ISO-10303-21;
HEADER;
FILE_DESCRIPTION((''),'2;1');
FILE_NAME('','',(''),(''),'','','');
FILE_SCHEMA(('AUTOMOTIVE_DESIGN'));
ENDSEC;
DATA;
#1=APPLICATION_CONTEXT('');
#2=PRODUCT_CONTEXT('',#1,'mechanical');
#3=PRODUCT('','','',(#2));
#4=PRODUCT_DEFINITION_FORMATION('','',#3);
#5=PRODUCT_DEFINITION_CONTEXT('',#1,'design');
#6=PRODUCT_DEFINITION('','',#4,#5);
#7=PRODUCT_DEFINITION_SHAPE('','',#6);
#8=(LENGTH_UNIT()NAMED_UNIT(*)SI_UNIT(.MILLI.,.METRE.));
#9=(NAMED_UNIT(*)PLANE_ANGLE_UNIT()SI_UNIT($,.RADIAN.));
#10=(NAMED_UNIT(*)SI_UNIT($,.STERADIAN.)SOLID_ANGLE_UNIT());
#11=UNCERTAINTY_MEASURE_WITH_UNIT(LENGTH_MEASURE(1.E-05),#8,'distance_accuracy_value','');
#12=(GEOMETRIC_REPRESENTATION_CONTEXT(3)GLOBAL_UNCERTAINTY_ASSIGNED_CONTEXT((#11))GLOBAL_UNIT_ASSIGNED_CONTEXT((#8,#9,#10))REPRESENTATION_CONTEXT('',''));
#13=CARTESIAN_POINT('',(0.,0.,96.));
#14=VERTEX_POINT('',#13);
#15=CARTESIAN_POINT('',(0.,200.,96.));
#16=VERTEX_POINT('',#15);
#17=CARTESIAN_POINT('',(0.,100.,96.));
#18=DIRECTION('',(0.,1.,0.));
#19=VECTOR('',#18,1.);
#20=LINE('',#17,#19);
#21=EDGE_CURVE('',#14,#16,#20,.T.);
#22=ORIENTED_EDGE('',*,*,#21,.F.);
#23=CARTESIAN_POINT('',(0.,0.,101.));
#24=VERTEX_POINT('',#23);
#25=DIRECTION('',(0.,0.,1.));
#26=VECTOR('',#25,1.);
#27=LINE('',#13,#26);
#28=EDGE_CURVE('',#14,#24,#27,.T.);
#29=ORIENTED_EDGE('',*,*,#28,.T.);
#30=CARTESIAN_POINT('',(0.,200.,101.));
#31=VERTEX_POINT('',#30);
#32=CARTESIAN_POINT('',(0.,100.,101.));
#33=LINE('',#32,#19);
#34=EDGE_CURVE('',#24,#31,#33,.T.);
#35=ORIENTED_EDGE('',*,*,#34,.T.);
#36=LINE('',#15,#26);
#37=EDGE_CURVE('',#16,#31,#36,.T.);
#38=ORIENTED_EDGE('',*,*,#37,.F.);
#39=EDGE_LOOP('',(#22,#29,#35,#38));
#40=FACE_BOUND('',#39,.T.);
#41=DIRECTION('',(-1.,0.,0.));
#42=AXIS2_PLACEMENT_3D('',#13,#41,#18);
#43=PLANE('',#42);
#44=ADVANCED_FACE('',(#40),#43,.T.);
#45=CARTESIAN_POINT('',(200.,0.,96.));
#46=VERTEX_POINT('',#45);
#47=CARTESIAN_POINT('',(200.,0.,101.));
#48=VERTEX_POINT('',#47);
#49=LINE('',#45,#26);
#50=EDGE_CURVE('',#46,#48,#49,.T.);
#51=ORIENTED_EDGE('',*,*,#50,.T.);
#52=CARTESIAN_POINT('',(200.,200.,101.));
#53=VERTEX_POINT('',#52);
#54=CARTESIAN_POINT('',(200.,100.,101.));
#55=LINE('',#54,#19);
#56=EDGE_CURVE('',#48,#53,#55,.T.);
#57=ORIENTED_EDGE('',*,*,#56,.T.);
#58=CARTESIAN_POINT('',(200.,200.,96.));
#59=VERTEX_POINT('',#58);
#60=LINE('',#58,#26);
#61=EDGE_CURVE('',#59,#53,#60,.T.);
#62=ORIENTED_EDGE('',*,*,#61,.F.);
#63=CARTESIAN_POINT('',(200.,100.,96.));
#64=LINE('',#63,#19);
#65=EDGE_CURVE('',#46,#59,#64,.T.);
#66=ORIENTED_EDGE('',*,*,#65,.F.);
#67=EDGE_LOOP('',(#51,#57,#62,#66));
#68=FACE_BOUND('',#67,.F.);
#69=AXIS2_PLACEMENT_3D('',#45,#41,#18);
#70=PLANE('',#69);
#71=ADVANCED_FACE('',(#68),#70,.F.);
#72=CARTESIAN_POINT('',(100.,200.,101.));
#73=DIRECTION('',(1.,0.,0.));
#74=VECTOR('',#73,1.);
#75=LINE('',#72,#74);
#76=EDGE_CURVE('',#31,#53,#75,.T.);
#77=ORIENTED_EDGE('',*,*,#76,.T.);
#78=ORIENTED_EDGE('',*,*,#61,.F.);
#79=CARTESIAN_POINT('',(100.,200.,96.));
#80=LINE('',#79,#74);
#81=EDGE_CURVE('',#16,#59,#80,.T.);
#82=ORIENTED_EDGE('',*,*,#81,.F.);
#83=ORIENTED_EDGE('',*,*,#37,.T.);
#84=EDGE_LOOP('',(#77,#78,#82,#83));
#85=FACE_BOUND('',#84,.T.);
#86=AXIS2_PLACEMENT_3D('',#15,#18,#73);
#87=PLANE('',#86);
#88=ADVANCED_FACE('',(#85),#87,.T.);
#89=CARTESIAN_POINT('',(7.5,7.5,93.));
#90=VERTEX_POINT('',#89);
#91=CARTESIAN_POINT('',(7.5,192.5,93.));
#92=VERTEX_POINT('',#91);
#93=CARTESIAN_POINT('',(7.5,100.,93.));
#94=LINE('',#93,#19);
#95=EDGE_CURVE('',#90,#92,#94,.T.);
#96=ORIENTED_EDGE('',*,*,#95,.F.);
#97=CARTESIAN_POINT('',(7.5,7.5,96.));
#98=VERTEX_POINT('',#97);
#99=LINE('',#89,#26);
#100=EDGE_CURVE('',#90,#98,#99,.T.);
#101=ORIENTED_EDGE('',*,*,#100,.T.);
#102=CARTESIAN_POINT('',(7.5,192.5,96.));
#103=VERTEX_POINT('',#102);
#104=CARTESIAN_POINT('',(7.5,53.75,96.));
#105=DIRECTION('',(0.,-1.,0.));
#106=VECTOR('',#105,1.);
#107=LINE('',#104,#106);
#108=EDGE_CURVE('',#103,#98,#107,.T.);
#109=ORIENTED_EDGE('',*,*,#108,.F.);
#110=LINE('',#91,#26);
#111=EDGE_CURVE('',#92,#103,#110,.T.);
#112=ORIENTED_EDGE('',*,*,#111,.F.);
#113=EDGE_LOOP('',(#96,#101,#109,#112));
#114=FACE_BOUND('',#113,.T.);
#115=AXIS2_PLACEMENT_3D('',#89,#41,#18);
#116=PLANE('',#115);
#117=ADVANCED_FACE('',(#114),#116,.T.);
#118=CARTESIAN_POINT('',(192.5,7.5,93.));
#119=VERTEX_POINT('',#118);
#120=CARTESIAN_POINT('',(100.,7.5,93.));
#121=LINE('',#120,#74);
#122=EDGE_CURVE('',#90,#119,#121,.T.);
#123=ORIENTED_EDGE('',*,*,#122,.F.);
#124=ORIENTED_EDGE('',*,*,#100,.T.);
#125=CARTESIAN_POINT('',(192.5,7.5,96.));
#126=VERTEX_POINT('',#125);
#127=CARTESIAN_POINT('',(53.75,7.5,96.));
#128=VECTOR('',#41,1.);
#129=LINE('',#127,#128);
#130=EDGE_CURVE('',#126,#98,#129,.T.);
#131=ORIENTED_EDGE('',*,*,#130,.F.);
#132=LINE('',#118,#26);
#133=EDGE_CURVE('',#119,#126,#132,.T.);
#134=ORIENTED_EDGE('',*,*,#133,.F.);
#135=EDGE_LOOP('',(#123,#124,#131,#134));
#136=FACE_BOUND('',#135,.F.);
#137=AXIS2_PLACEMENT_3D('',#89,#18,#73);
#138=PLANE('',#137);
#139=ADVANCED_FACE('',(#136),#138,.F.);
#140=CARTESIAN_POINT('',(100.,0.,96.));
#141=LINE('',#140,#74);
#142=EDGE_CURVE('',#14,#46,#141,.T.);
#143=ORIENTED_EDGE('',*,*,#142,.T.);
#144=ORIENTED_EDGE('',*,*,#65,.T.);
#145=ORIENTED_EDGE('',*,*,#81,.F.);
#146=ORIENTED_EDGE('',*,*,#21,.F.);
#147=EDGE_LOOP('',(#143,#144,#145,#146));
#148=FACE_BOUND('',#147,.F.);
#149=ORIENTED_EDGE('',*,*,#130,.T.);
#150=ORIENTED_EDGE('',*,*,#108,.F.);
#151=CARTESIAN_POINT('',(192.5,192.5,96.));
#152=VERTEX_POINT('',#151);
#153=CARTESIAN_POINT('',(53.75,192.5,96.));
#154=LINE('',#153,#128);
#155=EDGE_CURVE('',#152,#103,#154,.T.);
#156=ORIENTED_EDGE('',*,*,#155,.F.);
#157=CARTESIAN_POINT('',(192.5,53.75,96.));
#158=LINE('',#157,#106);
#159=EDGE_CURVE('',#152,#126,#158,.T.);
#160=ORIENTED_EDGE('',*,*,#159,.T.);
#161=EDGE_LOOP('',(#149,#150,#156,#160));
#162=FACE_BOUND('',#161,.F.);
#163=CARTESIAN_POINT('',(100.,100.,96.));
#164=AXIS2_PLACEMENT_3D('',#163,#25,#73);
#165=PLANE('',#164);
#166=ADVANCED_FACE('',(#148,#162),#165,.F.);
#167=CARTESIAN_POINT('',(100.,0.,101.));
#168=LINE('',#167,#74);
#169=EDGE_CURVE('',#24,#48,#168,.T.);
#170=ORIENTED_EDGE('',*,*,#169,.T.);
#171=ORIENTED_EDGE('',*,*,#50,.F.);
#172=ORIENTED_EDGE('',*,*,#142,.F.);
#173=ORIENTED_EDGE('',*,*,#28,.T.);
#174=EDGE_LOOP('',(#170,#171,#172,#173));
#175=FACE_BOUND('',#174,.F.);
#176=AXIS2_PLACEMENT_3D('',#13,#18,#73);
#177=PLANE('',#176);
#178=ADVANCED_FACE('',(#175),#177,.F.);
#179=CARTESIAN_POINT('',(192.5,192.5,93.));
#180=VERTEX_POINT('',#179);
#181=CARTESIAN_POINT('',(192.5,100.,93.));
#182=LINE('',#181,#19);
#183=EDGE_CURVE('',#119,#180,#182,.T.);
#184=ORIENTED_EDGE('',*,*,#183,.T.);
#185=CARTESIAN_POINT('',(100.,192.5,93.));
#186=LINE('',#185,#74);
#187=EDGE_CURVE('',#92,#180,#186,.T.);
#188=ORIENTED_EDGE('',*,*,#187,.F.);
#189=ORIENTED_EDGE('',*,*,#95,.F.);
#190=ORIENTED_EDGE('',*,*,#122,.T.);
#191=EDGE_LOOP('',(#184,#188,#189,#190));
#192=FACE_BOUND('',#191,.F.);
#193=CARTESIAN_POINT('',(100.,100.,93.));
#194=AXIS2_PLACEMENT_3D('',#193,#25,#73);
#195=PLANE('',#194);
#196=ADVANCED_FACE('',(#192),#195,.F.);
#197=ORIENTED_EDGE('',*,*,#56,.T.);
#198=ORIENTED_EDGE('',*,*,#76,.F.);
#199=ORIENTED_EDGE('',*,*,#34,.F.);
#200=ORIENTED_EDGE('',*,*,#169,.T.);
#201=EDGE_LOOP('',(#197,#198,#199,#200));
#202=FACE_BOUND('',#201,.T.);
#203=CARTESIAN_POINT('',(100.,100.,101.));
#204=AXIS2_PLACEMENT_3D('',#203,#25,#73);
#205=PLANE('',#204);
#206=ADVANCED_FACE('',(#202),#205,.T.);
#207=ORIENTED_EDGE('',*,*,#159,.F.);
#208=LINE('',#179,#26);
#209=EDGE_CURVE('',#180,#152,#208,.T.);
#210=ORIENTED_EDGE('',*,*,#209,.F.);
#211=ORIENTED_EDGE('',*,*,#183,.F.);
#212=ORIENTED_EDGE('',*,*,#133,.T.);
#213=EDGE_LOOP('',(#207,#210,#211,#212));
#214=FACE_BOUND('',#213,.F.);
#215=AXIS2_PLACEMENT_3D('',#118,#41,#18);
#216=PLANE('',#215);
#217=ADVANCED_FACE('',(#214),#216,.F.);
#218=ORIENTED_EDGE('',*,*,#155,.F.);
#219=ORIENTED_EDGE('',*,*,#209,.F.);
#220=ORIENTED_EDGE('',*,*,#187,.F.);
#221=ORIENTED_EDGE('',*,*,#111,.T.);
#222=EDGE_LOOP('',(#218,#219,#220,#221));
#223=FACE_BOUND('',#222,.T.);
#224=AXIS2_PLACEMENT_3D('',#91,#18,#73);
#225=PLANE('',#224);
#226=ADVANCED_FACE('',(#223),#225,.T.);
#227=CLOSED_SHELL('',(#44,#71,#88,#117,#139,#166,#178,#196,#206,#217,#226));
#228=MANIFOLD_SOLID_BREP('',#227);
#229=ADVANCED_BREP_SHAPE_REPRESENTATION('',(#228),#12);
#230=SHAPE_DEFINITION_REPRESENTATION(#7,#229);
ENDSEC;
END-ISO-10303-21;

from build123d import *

# Parameters (mm, degrees)
BOX006_W     = 185
BOX006_H     = 185
BOX006_DEPTH = 8
BOX005_W     = 200
BOX005_H     = 200
BOX005_DEPTH = 5


with BuildPart() as cube006:
    # Box006 → Box006 (new body)
    with BuildSketch(Plane(origin=(7.5, 7.5, 93), x_dir=(1, 0, 0), z_dir=(0, 0, 1))):
        with Locations((92.5, 92.5)):
            Rectangle(BOX006_W, BOX006_H)
    extrude(amount=BOX006_DEPTH)


with BuildPart() as lid:
    # Box005 → Box005 (new body)
    with BuildSketch(Plane.XY.offset(96)):
        with Locations((100, 100)):
            Rectangle(BOX005_W, BOX005_H)
    extrude(amount=BOX005_DEPTH)

    # Fusion002: union Cube006
    add(cube006.part)


solid = lid.part
